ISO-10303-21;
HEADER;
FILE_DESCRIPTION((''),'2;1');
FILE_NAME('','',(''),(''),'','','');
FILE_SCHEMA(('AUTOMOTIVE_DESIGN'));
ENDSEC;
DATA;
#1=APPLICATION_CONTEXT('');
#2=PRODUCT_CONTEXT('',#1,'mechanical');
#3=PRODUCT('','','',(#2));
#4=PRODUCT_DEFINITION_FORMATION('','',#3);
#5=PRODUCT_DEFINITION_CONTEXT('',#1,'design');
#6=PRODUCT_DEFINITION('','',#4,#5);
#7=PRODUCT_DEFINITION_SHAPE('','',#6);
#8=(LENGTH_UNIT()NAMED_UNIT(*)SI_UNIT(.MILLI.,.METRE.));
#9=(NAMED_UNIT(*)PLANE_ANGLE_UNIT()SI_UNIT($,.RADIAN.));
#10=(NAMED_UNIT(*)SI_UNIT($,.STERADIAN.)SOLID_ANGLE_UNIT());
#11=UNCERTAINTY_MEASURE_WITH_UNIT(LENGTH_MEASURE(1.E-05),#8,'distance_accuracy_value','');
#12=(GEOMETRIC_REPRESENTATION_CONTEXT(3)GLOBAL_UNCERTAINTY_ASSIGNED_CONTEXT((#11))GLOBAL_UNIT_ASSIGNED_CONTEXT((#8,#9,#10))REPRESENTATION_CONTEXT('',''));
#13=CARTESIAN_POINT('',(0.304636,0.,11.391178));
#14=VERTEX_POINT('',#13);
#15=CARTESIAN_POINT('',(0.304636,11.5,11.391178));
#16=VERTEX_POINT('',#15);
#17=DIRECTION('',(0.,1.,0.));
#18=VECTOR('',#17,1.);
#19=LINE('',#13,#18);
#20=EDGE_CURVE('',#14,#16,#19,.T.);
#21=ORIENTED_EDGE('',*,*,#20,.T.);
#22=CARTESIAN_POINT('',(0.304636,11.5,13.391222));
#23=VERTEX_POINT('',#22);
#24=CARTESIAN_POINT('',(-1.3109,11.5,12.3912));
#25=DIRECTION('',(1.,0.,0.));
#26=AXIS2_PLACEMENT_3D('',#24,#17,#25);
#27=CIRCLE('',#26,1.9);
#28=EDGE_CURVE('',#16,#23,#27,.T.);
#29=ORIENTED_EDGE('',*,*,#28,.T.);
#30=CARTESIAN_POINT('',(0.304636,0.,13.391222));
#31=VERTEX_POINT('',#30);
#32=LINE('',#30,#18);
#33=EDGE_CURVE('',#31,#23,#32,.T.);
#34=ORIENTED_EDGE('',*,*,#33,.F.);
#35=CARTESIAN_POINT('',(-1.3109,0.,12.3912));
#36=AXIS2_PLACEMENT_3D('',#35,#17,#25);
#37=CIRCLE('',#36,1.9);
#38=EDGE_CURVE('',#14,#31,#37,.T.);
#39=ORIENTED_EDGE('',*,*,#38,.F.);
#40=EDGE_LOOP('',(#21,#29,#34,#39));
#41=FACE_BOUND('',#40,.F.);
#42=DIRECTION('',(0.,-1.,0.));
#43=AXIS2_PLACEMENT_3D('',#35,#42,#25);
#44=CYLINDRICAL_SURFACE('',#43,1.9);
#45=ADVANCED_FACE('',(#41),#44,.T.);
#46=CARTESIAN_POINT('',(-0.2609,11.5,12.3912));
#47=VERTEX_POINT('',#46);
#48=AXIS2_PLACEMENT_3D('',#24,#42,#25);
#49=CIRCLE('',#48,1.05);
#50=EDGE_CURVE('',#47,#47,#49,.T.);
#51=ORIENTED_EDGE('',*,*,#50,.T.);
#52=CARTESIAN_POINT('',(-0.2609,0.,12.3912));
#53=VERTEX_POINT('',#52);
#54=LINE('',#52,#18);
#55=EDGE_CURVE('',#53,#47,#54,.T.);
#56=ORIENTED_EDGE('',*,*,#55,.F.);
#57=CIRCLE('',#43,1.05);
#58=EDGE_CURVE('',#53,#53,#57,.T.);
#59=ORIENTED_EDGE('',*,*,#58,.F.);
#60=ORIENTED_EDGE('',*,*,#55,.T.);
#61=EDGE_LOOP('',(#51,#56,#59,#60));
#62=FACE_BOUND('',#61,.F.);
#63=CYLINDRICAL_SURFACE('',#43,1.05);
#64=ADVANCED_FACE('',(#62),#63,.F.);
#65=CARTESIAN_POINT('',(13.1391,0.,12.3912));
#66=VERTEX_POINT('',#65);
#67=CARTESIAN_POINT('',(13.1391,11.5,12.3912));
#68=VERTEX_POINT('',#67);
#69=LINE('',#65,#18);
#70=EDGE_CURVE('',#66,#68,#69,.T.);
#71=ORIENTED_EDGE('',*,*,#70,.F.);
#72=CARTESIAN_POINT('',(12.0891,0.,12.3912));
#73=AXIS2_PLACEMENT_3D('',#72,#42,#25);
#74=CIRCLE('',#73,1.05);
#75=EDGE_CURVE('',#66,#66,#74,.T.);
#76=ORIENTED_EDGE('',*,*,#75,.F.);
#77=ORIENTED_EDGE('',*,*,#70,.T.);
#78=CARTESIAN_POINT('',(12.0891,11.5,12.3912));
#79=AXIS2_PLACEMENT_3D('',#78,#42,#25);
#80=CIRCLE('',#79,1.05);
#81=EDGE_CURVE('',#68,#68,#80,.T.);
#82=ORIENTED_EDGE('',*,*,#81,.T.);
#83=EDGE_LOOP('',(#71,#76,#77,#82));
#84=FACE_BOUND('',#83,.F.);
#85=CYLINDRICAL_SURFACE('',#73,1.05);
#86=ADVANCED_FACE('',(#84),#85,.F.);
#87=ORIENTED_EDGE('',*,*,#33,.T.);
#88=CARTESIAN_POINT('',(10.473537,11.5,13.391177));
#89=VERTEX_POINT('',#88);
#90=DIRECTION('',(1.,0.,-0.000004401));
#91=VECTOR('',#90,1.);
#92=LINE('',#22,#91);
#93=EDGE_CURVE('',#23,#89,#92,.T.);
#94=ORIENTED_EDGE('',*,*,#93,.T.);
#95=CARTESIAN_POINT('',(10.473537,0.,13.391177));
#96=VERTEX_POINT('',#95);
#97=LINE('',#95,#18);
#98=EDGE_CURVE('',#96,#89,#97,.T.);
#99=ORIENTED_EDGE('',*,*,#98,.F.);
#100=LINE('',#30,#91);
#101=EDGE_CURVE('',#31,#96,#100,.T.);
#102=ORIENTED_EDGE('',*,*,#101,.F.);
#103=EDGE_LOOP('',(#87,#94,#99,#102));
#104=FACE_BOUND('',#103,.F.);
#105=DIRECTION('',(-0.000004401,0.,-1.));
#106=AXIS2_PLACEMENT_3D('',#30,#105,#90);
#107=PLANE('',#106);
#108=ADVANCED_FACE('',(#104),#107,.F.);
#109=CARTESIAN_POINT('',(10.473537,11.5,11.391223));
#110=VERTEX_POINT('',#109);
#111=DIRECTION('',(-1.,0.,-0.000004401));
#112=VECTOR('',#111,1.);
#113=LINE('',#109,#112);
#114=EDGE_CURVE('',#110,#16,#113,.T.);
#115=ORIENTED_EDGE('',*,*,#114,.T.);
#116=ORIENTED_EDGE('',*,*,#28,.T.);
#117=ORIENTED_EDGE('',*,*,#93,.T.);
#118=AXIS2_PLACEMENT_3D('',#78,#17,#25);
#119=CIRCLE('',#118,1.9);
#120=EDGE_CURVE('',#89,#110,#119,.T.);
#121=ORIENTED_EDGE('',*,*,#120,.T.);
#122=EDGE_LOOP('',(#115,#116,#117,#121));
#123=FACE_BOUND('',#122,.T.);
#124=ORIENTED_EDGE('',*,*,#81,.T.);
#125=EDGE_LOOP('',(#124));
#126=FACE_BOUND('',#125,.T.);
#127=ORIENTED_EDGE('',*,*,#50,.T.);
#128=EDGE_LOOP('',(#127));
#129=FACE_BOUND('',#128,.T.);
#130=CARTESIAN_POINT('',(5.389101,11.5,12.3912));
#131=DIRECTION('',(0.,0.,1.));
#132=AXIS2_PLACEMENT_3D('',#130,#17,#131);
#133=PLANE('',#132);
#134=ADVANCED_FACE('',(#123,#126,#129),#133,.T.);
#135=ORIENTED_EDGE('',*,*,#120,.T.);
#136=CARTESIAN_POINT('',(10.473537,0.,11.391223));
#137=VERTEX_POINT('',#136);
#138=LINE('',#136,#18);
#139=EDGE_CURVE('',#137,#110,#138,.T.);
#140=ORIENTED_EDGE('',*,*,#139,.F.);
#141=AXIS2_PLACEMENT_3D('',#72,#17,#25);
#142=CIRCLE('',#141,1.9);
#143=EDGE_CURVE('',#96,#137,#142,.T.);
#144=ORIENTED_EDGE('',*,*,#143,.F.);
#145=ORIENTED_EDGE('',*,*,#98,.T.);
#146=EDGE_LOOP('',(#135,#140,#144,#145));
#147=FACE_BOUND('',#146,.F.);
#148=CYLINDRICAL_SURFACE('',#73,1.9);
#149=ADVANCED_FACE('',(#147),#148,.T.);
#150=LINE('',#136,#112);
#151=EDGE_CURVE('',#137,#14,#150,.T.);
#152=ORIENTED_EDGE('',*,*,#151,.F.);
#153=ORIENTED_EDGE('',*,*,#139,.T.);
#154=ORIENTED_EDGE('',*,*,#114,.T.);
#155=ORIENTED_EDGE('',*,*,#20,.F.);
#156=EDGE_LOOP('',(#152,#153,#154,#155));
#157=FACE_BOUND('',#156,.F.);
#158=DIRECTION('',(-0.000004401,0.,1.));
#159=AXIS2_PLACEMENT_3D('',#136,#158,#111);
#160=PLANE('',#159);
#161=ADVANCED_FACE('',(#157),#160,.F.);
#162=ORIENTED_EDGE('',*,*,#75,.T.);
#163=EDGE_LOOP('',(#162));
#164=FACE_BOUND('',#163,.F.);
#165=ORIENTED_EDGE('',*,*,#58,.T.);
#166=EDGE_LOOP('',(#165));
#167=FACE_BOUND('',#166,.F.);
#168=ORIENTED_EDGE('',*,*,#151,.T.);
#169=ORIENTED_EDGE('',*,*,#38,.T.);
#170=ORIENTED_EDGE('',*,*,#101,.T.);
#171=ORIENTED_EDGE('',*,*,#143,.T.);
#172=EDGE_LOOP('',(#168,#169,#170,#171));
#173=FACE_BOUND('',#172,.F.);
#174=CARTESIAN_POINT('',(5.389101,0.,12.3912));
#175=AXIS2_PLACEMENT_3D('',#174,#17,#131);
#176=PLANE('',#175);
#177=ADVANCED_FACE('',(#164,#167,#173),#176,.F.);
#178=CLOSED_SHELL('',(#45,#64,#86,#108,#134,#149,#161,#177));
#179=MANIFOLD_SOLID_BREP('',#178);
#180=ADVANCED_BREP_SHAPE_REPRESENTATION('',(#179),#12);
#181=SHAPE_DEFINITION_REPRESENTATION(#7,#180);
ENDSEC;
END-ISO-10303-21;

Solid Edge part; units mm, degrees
sketch "Sketch1" plane through (0, 0, 0) normal (0, -1, 0) x (1, 0, 0)
  circle A0 centre (-1.3109, 12.3912) radius 1.05
  circle A1 centre (12.0891, 12.3912) radius 1.05
  line L0 (0.3046, 13.3912) -> (10.4735, 13.3912)
  line L1 (10.4735, 11.3912) -> (0.3046, 11.3912)
  arc A2 (0.3046, 11.3912) -> (0.3046, 13.3912) centre (-1.3109, 12.3912) cw
  arc A3 (10.4735, 13.3912) -> (10.4735, 11.3912) centre (12.0891, 12.3912) cw
extrude "Protrusion1" add sketch "Sketch1" against normal blind 11.5
